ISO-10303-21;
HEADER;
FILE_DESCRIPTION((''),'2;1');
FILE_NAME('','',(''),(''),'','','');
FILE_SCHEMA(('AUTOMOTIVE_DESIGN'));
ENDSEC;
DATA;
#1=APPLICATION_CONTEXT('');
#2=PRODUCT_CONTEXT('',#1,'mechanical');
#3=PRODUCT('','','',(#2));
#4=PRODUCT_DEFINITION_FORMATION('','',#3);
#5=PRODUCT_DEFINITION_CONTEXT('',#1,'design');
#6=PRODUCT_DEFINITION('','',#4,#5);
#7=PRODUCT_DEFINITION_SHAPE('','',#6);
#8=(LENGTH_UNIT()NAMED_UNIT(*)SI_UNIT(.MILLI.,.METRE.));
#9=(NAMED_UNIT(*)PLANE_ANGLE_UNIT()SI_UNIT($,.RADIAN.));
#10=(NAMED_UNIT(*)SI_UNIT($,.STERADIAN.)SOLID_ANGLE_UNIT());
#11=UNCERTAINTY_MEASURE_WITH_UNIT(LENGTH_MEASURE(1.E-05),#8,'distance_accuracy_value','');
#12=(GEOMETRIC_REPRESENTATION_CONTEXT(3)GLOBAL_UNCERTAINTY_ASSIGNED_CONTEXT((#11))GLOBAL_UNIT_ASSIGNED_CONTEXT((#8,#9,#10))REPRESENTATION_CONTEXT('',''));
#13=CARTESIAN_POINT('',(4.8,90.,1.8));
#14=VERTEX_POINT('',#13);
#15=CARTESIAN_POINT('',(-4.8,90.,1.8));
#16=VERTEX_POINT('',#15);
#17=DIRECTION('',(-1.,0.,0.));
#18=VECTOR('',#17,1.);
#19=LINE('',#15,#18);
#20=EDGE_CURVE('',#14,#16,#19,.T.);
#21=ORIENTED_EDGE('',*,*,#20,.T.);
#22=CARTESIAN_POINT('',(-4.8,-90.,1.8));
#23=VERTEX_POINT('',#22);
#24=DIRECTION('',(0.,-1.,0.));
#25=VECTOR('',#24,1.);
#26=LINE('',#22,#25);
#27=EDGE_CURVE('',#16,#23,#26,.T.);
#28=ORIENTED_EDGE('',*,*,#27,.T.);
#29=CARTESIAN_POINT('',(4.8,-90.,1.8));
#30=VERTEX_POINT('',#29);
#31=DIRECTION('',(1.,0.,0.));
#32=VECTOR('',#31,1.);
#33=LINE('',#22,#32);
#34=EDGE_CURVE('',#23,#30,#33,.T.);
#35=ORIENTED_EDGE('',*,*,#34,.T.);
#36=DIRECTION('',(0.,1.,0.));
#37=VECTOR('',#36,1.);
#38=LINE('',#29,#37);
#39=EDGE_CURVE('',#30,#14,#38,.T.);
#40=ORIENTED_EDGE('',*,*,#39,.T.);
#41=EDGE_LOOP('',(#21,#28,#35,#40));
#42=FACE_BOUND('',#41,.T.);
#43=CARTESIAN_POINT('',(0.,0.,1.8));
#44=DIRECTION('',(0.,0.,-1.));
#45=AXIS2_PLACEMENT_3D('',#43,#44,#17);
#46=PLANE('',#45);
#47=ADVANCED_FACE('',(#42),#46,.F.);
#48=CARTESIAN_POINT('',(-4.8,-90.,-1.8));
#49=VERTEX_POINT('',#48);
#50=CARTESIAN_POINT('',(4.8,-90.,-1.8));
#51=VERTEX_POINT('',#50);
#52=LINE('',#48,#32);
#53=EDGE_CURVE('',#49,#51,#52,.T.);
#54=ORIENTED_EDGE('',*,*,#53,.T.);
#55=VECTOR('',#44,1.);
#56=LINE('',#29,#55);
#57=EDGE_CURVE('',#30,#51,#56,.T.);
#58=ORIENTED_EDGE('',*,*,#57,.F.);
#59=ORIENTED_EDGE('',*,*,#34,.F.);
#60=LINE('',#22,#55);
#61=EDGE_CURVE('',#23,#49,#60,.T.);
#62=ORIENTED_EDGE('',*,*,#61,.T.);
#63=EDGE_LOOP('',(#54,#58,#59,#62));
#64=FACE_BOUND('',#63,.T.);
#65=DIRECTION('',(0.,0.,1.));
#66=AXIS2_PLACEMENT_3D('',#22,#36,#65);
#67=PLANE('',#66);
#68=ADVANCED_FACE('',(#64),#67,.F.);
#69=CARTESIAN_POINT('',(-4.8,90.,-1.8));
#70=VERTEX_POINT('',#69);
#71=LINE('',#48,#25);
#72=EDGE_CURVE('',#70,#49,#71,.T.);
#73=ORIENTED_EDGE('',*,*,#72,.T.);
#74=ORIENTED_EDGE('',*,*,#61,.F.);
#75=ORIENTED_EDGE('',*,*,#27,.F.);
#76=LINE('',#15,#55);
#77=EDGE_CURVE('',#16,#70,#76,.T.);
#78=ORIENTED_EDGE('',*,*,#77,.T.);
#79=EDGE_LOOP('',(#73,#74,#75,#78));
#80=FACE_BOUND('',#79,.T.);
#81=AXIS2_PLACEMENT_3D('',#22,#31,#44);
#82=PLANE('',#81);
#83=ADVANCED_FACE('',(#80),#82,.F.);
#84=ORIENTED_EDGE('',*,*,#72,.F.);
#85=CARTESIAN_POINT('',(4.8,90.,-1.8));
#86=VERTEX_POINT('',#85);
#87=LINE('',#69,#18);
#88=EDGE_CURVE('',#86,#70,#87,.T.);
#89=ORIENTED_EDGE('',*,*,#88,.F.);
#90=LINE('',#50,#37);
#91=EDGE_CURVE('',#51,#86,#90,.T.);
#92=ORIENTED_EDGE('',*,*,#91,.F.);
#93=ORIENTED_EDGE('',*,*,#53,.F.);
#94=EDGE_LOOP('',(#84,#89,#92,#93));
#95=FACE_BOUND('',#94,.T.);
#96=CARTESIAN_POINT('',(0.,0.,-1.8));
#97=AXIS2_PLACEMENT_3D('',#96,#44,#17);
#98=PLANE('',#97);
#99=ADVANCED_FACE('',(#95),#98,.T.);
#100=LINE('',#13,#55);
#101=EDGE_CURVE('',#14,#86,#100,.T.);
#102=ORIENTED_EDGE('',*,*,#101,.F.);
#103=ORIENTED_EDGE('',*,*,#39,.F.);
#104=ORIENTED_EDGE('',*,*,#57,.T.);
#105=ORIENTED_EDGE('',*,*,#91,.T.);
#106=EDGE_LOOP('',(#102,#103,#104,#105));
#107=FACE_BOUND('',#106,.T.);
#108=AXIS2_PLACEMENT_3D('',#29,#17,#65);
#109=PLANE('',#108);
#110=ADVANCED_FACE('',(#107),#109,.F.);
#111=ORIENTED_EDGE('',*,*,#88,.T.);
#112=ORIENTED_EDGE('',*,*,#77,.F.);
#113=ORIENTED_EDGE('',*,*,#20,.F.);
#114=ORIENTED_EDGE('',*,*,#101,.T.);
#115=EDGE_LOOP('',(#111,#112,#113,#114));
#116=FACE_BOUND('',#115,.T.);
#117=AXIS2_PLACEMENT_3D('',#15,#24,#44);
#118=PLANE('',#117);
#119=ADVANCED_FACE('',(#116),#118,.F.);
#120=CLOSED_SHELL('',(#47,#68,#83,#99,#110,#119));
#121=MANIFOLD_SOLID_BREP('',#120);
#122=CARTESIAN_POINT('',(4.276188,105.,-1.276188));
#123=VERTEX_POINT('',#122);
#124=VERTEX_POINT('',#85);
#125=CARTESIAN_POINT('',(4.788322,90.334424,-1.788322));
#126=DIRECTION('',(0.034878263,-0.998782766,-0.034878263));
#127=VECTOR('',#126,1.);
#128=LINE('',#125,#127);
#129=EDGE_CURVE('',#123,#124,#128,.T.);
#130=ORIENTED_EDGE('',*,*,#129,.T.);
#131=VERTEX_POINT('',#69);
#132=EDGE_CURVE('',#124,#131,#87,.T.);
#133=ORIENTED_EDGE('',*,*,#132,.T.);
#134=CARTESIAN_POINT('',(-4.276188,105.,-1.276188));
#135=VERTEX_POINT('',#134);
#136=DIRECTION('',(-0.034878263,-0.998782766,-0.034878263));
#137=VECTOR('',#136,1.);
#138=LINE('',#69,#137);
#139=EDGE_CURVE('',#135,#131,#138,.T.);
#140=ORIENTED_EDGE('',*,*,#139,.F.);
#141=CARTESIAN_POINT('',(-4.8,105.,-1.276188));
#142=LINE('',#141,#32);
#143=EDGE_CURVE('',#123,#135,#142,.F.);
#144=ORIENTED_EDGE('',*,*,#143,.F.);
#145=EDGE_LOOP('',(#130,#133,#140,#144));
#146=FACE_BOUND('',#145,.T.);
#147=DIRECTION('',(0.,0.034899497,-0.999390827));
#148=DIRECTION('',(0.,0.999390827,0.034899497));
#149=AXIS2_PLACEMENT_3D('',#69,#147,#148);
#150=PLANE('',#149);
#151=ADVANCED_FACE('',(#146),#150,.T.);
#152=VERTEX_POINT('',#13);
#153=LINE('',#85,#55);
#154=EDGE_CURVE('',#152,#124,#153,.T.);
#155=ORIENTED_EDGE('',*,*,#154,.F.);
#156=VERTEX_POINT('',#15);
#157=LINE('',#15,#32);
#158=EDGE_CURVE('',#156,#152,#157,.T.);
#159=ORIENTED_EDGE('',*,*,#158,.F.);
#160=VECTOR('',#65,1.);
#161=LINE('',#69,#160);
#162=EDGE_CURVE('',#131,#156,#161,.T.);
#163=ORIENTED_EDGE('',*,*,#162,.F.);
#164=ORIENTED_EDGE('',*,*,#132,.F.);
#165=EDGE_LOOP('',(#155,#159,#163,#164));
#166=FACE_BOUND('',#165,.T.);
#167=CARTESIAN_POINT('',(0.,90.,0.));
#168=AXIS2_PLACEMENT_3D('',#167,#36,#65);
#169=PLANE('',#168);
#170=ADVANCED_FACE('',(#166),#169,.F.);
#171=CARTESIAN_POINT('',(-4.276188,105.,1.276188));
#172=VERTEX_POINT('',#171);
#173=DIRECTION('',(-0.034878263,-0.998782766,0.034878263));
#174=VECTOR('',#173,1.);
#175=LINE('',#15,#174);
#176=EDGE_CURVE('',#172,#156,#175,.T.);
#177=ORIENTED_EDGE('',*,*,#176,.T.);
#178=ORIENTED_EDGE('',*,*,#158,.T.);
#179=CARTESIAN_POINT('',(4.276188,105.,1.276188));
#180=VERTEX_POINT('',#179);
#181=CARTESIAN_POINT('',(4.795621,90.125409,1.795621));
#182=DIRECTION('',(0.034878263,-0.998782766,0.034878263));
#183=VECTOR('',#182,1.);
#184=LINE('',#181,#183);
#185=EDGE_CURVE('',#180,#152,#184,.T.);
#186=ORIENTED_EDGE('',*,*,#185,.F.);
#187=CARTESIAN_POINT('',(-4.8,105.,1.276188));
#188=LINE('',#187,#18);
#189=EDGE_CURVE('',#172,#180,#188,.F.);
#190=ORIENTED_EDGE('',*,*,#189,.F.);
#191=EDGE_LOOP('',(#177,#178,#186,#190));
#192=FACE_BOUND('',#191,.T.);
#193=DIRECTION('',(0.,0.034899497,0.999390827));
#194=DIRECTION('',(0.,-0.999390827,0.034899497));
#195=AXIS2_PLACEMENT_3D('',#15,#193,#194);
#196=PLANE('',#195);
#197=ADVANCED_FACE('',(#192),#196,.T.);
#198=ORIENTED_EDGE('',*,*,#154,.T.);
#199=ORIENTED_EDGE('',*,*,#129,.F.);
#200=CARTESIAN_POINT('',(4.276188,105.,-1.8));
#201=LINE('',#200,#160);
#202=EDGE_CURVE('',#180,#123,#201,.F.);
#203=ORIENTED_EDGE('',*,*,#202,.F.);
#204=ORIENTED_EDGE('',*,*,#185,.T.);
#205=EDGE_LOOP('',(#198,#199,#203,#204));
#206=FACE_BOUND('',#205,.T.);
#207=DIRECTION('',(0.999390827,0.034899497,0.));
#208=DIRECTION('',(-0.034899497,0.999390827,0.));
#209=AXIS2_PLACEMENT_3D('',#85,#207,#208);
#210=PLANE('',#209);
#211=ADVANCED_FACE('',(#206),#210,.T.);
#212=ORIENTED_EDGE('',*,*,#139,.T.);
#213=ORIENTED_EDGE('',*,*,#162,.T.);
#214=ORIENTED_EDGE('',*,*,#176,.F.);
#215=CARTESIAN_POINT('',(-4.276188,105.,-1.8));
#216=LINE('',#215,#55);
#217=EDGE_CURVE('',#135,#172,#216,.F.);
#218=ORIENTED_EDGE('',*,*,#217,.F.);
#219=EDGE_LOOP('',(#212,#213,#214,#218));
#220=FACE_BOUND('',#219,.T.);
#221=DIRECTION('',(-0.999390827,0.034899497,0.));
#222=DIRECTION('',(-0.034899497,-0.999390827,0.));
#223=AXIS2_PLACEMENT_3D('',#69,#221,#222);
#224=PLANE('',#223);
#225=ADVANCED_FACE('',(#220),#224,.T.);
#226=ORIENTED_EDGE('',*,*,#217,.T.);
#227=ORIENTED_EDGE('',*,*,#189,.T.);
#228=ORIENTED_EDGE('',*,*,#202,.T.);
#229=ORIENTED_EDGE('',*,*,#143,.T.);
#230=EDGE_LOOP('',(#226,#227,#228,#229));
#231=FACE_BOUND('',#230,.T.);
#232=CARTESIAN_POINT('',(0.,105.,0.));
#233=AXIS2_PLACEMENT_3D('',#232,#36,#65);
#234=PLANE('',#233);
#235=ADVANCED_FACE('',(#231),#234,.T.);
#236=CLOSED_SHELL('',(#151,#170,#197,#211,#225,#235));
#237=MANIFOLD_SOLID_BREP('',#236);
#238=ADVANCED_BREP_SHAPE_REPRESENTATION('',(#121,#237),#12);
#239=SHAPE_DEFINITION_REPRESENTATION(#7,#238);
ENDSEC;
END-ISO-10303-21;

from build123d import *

# Parameters (mm, degrees)
ESQUISSE1_W        = 9.6
ESQUISSE1_H        = 180
BOSS_EXTRU_1_DEPTH = 1.8
ESQUISSE4_W        = 9.6
ESQUISSE4_H        = 3.6
BOSS_EXTRU_4_DEPTH = 15
D_POUILLE5_ANGLE   = -2


with BuildPart() as part:
    # Esquisse1 → Boss.-Extru.1 (new, symmetric)
    with BuildSketch(Plane.XY):
        Rectangle(ESQUISSE1_W, ESQUISSE1_H)
    extrude(amount=BOSS_EXTRU_1_DEPTH, both=True)


with BuildPart() as body_2:
    # Esquisse4 → Boss.-Extru.4 (new body)
    with BuildSketch(Plane(origin=(0, 90, 0), x_dir=(1, 0, 0), z_dir=(0, 1, 0))):
        Rectangle(ESQUISSE4_W, ESQUISSE4_H)
    extrude(amount=BOSS_EXTRU_4_DEPTH)

    # Dépouille5
    d_pouille5_faces = [body_2.faces().sort_by_distance(p)[0] for p in [
        (4.8, 97.5, 0),
        (0, 97.5, 1.8),
        (-4.8, 97.5, 0),
        (0, 97.5, -1.8),
    ]]
    draft(d_pouille5_faces, Plane(origin=(0, 90, 0), x_dir=(0, 0, -1), z_dir=(0, -1, 0)), D_POUILLE5_ANGLE)


solid = Compound([part.part, body_2.part])
